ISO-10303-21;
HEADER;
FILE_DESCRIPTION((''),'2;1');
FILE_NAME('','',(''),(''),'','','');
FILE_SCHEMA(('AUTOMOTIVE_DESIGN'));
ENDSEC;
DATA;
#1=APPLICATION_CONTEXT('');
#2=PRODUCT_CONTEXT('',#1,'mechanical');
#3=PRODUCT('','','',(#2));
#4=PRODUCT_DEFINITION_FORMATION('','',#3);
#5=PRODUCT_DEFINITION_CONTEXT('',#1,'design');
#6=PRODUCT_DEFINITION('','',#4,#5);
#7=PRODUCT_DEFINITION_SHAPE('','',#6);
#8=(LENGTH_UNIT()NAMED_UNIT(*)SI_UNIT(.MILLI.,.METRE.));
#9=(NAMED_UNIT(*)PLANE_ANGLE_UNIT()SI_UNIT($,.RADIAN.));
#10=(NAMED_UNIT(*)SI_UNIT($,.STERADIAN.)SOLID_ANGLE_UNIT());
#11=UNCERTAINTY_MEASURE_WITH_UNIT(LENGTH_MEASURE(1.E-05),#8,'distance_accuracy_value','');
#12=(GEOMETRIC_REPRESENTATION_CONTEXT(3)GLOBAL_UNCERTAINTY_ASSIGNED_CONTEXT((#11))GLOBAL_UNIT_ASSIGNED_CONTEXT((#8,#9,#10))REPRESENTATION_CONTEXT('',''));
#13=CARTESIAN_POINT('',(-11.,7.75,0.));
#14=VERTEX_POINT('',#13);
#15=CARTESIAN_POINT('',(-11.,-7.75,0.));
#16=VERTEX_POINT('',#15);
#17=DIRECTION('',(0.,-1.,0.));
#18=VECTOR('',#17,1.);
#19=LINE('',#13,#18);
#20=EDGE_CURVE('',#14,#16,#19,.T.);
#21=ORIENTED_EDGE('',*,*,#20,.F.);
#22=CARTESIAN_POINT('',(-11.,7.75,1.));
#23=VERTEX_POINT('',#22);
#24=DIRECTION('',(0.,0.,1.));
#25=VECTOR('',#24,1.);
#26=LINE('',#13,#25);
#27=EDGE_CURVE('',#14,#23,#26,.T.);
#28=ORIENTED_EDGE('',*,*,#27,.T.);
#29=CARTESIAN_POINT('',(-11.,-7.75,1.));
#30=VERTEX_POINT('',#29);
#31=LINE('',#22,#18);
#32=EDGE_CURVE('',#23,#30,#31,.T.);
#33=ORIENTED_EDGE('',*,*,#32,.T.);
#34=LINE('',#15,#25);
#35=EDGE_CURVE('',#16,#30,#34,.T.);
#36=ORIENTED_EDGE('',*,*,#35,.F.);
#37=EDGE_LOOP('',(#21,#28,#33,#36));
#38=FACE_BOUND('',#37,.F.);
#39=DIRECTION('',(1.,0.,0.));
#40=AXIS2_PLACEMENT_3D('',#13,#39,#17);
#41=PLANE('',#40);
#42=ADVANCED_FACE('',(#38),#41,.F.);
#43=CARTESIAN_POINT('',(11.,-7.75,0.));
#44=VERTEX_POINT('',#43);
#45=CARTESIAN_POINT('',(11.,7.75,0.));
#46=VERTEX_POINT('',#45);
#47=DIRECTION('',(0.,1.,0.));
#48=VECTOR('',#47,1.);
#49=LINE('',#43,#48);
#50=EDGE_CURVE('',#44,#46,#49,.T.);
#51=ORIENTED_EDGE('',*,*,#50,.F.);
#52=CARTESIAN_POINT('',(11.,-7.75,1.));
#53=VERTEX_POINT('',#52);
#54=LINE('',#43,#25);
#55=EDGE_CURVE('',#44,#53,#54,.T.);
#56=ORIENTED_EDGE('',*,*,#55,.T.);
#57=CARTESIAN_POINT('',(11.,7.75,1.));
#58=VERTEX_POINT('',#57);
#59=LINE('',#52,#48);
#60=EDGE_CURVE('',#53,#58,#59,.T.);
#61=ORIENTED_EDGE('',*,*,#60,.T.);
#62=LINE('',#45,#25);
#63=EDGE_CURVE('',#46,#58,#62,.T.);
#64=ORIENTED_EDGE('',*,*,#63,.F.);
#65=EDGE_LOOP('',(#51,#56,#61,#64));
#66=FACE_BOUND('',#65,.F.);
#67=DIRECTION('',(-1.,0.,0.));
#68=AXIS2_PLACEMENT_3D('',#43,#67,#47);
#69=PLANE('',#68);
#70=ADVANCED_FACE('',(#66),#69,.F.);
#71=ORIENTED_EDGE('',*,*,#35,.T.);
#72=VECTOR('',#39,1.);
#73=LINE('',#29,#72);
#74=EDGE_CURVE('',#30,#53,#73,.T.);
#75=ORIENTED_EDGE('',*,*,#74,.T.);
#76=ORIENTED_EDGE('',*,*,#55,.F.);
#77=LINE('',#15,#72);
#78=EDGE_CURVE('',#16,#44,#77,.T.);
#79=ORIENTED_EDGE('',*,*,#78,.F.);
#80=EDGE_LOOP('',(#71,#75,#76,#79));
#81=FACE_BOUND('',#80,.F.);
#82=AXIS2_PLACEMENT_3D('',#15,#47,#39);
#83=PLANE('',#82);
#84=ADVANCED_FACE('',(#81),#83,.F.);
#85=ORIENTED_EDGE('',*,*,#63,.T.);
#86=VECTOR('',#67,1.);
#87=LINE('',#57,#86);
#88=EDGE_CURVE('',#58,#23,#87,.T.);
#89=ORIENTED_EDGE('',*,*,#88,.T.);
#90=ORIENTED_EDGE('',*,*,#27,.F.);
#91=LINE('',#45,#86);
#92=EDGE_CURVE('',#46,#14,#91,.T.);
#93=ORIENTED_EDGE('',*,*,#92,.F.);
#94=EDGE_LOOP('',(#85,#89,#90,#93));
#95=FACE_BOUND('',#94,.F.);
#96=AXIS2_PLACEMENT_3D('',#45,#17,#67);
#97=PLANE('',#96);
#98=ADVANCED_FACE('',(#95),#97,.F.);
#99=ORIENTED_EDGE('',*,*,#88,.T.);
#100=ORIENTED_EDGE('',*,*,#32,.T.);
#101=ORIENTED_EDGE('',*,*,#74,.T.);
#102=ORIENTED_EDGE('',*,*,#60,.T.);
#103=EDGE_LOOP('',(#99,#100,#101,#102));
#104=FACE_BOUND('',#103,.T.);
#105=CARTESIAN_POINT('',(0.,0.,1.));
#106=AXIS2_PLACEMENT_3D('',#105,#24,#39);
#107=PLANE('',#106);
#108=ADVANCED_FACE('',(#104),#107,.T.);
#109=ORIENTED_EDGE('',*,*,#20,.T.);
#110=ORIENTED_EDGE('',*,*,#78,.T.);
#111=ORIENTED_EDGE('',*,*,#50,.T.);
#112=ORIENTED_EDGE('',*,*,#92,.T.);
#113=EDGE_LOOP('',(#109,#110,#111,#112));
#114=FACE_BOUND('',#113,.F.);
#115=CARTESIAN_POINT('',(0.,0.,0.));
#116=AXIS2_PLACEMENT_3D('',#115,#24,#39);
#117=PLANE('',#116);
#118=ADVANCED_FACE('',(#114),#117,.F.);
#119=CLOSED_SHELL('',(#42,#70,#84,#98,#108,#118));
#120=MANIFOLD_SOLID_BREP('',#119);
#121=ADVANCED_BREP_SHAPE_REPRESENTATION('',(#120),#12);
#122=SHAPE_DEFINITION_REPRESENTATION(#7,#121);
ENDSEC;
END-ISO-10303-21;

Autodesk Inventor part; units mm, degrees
ref_plane "YZ Plane" through (0, 0, 0) normal (1, 0, 0) x (0, 1, 0)
ref_plane "XZ Plane" through (0, 0, 0) normal (0, 1, 0) x (-1, 0, 0)
ref_plane "XY Plane" through (0, 0, 0) normal (0, 0, 1) x (1, 0, 0)
sketch "Sketch1" plane through (0, 0, 0) normal (0, 0, 1) x (1, 0, 0)
  line L0 (-11, -7.75) -> (11, -7.75)
  line L1 (11, -7.75) -> (11, 7.75)
  line L2 (11, 7.75) -> (-11, 7.75)
  line L3 (-11, 7.75) -> (-11, -7.75)
  line L4 (-11, -7.75) -> (11, 7.75) construction
  line L5 (11, -7.75) -> (-11, 7.75) construction
  point P0 (0, 0)
  dimension "d0" = 22
  dimension "d1" = 15.5
extrude "Extrusion1" add sketch "Sketch1" along normal blind 1
properties part number "00_Mirror_astromedia_22x15.5"
